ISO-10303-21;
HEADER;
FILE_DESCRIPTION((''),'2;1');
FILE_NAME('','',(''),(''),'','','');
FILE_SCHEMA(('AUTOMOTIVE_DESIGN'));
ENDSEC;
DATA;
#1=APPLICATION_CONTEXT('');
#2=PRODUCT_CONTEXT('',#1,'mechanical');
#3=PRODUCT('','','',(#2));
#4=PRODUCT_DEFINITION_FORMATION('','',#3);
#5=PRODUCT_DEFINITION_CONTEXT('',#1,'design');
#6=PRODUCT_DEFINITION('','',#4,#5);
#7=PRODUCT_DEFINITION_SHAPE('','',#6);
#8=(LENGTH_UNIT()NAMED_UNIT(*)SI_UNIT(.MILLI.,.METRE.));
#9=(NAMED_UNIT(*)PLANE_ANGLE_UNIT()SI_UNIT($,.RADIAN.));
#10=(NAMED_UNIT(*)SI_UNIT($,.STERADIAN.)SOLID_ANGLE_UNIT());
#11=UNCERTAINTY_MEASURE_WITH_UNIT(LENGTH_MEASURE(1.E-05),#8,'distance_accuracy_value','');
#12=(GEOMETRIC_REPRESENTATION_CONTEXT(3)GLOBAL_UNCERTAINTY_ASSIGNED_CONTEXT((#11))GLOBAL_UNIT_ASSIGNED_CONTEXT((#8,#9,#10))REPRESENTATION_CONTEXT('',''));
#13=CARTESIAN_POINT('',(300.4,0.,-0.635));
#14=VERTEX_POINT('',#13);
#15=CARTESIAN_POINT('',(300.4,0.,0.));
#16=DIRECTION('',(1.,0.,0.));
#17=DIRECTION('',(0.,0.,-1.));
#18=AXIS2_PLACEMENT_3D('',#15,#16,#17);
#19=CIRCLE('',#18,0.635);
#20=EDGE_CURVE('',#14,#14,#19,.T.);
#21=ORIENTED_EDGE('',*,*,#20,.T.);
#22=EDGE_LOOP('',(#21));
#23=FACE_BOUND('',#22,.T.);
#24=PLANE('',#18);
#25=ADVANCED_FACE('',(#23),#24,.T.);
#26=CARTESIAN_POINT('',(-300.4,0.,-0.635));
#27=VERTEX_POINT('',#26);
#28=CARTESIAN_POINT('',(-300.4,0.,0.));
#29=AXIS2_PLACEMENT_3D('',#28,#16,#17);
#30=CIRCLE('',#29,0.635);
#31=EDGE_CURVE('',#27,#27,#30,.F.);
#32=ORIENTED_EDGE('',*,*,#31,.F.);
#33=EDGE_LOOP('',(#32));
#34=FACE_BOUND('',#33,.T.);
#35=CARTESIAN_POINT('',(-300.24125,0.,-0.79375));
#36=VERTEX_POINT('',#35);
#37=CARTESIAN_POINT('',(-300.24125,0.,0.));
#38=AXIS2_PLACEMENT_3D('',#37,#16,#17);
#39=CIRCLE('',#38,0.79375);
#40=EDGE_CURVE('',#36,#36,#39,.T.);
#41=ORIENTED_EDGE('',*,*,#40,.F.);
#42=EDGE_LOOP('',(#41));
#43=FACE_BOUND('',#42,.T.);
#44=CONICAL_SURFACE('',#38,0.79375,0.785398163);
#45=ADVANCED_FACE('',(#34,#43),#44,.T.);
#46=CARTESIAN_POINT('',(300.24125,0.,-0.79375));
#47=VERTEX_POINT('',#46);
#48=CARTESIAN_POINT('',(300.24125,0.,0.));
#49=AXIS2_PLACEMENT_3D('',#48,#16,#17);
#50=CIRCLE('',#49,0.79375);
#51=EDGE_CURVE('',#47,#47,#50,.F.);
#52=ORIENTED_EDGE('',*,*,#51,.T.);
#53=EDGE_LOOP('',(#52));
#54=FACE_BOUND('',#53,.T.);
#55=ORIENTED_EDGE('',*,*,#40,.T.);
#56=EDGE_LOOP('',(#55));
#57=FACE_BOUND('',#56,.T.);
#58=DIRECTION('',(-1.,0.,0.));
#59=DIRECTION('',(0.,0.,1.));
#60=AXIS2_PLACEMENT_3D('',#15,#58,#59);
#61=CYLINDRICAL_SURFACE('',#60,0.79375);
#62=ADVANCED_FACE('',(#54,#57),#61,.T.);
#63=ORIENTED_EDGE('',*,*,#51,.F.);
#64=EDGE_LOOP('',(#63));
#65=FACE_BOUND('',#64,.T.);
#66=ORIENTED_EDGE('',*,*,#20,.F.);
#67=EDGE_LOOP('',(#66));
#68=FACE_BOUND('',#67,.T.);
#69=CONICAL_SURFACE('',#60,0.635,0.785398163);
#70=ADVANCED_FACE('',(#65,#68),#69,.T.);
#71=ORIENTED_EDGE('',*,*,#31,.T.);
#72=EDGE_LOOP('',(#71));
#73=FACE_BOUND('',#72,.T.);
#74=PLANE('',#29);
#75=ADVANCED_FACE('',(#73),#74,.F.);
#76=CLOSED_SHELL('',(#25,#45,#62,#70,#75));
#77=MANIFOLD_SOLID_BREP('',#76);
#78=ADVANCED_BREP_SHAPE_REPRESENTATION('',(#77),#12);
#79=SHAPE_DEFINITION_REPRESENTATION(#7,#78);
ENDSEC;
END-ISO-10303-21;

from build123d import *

# Parameters (mm, degrees)
SKETCH10_R          = 0.79375
BOSS_EXTRUDE3_DEPTH = 300.4
CHAMFER1_SIZE       = 0.15875


with BuildPart() as part:
    # Sketch10 → Boss-Extrude3 (new, symmetric)
    with BuildSketch(Plane(origin=(0, 0, 0), x_dir=(0, 0, -1), z_dir=(1, 0, 0))):
        Circle(SKETCH10_R)
    extrude(amount=BOSS_EXTRUDE3_DEPTH, both=True)

    # Chamfer1
    chamfer1_edges = [part.edges().sort_by_distance(p)[0] for p in [
        (-300.4, 0, 0.79375),
        (300.4, 0, 0.79375),
    ]]
    chamfer(chamfer1_edges, length=CHAMFER1_SIZE)


solid = part.part
